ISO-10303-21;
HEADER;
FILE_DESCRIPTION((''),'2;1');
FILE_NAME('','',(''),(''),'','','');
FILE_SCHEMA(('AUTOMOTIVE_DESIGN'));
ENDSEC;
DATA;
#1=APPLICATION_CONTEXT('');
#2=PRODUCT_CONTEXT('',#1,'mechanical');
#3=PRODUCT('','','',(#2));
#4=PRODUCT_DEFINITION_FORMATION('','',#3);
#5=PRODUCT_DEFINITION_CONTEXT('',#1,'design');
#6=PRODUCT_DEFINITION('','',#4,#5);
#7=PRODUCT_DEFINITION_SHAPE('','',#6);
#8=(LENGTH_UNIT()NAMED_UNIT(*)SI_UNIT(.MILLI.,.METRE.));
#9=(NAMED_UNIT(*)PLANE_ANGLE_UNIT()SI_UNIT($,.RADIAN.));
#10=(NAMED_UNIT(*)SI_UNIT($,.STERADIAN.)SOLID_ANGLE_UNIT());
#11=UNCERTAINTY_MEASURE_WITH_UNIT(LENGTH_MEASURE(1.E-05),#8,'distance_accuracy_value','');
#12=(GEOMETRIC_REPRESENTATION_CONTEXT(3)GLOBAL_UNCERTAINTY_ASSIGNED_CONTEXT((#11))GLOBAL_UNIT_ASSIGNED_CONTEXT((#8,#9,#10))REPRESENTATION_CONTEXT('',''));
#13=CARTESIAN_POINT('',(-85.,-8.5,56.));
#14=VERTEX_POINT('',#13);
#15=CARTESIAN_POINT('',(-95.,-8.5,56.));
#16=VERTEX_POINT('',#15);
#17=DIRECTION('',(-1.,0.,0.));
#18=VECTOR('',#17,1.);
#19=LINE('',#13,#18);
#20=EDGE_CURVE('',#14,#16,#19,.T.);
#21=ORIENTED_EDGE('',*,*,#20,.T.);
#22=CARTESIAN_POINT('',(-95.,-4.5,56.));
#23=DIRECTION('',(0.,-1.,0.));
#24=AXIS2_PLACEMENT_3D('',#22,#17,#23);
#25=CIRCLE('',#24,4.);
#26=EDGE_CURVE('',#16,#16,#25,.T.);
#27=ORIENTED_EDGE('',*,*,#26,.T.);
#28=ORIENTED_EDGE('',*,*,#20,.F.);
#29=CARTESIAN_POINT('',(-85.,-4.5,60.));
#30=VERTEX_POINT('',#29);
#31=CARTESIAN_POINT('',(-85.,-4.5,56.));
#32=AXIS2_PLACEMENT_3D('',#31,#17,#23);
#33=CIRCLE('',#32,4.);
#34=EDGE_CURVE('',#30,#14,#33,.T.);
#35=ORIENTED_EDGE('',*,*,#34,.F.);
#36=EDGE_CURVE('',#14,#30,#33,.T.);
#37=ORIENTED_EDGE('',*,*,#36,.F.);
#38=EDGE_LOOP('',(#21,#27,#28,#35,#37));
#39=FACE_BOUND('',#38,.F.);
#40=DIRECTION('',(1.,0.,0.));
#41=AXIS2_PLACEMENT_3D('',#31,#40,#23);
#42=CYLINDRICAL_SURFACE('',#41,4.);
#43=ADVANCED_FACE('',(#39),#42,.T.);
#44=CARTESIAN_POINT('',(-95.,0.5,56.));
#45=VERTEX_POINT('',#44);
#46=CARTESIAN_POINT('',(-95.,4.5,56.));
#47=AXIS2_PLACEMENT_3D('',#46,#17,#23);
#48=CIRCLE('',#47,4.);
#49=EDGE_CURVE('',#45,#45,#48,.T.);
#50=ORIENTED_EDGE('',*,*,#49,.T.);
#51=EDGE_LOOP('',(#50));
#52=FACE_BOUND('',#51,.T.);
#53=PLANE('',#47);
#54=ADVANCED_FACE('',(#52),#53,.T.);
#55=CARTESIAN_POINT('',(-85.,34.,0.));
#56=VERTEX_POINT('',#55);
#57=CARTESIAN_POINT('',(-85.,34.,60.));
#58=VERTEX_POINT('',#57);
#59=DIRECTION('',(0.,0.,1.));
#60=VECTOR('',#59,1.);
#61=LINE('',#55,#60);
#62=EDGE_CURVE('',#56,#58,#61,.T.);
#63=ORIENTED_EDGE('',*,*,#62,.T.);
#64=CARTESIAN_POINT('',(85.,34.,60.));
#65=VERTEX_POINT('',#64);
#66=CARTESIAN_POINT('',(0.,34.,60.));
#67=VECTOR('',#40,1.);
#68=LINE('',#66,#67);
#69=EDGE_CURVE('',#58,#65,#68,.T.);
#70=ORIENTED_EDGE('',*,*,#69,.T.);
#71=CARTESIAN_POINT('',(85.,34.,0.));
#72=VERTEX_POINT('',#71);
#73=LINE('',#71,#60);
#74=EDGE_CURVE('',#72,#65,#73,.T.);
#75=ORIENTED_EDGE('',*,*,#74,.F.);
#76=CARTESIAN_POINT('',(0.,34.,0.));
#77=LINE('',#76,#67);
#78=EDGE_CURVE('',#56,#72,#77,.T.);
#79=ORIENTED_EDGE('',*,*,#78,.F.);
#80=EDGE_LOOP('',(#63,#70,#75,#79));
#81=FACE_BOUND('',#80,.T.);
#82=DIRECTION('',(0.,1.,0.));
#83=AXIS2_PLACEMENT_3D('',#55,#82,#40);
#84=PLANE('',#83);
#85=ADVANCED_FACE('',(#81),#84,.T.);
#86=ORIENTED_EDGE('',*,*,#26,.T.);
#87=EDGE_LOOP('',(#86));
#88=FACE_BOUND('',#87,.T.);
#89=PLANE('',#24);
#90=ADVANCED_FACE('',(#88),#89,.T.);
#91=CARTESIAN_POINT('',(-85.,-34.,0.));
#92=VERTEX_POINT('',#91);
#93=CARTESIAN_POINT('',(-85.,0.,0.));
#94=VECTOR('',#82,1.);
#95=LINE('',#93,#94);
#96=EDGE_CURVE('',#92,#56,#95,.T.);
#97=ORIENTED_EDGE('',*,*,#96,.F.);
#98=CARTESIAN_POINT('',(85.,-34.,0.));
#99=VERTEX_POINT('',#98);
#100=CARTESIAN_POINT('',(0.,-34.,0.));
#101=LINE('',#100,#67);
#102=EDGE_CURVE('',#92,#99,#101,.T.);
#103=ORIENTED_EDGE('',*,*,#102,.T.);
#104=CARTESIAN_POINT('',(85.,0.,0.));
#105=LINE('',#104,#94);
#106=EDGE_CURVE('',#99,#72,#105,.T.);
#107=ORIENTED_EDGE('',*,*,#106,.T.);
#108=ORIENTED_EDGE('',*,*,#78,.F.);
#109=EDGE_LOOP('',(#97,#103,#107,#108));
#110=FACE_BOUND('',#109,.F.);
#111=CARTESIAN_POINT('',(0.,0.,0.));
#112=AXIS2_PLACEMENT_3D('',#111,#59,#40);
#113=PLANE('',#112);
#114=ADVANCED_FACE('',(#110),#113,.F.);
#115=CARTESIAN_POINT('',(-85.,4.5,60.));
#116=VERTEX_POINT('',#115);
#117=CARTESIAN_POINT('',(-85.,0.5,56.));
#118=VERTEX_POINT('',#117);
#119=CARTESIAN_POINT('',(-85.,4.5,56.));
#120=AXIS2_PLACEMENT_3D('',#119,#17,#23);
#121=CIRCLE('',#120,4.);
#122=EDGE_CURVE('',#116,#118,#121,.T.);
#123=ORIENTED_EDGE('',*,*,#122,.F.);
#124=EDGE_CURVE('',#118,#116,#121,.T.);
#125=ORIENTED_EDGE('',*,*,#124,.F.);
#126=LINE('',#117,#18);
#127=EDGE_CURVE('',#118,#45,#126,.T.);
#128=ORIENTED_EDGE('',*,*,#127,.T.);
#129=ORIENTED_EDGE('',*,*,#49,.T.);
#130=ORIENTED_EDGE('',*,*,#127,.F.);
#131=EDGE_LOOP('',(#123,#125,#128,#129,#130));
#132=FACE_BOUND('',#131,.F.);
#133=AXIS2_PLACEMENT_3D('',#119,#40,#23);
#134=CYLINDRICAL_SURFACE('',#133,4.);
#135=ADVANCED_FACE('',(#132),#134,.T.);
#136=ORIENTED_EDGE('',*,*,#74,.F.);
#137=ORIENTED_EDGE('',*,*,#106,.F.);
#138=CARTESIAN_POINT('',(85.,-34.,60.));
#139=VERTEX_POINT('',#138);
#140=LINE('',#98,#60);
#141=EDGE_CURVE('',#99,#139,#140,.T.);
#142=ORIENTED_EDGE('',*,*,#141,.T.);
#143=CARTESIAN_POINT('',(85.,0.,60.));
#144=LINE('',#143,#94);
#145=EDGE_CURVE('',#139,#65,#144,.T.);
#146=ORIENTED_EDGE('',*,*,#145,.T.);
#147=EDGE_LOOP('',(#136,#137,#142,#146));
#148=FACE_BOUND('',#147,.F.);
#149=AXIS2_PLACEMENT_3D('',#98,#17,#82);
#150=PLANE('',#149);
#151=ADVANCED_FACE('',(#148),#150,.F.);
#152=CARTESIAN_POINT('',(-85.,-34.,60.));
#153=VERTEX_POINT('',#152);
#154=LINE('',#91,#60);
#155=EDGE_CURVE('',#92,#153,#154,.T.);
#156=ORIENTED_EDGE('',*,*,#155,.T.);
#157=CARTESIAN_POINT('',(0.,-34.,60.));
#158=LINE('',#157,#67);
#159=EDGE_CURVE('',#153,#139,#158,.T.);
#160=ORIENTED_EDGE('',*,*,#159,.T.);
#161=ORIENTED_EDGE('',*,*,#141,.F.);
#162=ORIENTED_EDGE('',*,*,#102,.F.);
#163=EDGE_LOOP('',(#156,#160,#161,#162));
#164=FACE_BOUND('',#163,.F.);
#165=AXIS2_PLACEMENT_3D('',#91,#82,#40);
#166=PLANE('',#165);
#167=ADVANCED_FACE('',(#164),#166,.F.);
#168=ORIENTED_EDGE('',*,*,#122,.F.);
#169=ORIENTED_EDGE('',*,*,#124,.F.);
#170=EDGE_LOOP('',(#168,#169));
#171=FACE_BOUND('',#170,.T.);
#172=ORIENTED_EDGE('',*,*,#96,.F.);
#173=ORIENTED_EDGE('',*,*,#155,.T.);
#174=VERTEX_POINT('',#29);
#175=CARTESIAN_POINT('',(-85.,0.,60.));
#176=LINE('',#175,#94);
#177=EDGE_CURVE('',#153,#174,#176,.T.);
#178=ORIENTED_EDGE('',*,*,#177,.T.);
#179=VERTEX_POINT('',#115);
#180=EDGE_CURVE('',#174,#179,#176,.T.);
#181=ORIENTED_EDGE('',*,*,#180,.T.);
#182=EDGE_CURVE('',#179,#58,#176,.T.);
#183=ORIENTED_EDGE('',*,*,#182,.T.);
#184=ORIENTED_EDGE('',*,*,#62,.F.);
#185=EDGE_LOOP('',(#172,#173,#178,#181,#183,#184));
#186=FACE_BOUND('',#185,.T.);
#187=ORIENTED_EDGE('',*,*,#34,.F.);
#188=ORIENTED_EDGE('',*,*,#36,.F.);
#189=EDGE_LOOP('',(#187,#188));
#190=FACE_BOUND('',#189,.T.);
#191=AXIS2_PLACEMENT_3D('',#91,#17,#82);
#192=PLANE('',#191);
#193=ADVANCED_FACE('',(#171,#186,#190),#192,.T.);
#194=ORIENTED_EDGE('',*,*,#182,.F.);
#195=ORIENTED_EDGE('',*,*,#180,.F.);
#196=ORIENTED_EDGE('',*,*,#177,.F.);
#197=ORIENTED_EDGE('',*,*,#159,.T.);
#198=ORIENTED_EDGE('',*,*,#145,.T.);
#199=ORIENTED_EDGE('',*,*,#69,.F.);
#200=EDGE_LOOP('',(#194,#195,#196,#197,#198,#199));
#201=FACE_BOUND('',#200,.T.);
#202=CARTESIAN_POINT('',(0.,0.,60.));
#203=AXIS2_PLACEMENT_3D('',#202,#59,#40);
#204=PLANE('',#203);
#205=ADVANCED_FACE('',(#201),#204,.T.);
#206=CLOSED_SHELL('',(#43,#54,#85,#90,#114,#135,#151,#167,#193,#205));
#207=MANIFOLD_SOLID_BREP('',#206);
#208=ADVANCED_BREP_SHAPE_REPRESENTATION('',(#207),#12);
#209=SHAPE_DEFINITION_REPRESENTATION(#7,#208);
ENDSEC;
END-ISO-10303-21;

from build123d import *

# Parameters (mm, degrees)
F0_W     = 170
F0_H     = 68
F1_DEPTH = 60
F2_R     = 4
F3_DEPTH = 10


with BuildPart() as f1:
    # F0 (on Top) → F1 (new body)
    with BuildSketch(Plane.XY):
        Rectangle(F0_W, F0_H)
    extrude(amount=F1_DEPTH)

    # F2 (on face) → F3 (join)
    with BuildSketch(Plane(origin=(-85, 0, 0), x_dir=(0, -1, 0), z_dir=(-1, 0, 0))):
        with Locations((4.5, 56)):
            Circle(F2_R)
        with Locations((-4.5, 56)):
            Circle(F2_R)
    extrude(amount=F3_DEPTH)


solid = f1.part
